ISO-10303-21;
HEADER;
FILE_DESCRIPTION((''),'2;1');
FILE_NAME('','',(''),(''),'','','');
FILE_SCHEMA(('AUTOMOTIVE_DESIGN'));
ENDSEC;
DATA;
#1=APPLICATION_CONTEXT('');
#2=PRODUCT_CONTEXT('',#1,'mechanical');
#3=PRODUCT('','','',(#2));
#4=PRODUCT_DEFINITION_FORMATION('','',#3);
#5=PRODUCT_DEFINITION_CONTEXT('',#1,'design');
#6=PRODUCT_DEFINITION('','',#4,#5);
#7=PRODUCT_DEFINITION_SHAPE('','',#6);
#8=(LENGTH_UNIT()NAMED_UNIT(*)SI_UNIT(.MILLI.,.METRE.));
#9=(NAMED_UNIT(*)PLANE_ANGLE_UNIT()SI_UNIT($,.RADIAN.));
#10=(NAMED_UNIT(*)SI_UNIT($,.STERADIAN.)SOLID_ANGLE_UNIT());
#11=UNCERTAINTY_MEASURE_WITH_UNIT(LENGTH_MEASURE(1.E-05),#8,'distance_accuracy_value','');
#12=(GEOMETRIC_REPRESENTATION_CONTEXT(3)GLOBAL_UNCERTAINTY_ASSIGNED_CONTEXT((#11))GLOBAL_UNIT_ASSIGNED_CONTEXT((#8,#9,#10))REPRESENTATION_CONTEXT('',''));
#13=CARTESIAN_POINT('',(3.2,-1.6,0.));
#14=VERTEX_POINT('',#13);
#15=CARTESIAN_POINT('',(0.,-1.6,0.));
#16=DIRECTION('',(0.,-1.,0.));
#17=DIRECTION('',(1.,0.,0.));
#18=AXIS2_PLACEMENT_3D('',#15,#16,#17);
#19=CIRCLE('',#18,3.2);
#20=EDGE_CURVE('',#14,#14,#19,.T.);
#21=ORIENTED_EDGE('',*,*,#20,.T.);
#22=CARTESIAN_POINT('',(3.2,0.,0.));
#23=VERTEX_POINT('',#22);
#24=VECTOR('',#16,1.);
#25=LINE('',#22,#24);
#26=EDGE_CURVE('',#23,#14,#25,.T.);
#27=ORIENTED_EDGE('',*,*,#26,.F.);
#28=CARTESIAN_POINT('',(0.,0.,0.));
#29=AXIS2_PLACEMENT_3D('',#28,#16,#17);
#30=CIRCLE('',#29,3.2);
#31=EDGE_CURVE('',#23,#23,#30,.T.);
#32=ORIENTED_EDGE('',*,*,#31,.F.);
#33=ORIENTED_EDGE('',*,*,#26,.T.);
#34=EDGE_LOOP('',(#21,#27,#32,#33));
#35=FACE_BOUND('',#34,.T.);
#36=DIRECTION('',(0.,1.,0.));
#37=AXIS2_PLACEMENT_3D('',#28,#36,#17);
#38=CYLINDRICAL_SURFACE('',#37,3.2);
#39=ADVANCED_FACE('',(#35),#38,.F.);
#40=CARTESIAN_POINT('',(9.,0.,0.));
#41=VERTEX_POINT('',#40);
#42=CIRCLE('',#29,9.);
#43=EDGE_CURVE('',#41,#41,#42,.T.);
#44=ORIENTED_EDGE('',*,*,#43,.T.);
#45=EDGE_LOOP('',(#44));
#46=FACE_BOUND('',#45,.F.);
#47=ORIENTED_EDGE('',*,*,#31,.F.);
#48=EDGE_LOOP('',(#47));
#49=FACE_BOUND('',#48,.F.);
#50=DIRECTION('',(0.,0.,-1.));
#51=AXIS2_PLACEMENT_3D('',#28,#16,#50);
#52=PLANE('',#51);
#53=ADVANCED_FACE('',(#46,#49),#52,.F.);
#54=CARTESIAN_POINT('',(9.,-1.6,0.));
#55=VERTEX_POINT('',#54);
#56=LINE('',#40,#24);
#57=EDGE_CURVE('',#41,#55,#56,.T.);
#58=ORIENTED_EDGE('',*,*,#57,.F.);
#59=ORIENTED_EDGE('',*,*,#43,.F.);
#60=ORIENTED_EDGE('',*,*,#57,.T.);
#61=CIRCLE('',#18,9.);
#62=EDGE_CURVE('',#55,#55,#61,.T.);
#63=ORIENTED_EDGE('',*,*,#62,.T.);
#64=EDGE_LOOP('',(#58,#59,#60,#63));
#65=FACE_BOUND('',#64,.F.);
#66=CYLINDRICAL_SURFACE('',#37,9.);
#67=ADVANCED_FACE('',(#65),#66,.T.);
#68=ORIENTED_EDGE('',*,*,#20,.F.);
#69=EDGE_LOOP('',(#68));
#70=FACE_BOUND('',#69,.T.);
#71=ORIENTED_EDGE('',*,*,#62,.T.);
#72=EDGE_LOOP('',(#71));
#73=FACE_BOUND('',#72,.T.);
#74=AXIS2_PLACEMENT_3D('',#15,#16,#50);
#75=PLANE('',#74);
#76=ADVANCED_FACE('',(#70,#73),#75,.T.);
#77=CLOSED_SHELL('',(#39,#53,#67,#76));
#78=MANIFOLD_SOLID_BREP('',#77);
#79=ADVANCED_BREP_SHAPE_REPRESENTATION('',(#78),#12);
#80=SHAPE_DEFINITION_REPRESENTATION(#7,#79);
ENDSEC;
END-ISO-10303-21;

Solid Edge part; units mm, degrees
sketch "Sketch1" plane through (0, 0, 0) normal (0, -1, 0) x (1, 0, 0)
  circle A0 centre (0, 0) radius 3.2
  circle A1 centre (0, 0) radius 9
  dimension "D1" = 18
  dimension "D2" = 6.4
extrude "Protrusion1" add sketch "Sketch1" along normal blind 1.6
properties part number "1976-1100-C05" material "Aluminio, 7075-T6"
